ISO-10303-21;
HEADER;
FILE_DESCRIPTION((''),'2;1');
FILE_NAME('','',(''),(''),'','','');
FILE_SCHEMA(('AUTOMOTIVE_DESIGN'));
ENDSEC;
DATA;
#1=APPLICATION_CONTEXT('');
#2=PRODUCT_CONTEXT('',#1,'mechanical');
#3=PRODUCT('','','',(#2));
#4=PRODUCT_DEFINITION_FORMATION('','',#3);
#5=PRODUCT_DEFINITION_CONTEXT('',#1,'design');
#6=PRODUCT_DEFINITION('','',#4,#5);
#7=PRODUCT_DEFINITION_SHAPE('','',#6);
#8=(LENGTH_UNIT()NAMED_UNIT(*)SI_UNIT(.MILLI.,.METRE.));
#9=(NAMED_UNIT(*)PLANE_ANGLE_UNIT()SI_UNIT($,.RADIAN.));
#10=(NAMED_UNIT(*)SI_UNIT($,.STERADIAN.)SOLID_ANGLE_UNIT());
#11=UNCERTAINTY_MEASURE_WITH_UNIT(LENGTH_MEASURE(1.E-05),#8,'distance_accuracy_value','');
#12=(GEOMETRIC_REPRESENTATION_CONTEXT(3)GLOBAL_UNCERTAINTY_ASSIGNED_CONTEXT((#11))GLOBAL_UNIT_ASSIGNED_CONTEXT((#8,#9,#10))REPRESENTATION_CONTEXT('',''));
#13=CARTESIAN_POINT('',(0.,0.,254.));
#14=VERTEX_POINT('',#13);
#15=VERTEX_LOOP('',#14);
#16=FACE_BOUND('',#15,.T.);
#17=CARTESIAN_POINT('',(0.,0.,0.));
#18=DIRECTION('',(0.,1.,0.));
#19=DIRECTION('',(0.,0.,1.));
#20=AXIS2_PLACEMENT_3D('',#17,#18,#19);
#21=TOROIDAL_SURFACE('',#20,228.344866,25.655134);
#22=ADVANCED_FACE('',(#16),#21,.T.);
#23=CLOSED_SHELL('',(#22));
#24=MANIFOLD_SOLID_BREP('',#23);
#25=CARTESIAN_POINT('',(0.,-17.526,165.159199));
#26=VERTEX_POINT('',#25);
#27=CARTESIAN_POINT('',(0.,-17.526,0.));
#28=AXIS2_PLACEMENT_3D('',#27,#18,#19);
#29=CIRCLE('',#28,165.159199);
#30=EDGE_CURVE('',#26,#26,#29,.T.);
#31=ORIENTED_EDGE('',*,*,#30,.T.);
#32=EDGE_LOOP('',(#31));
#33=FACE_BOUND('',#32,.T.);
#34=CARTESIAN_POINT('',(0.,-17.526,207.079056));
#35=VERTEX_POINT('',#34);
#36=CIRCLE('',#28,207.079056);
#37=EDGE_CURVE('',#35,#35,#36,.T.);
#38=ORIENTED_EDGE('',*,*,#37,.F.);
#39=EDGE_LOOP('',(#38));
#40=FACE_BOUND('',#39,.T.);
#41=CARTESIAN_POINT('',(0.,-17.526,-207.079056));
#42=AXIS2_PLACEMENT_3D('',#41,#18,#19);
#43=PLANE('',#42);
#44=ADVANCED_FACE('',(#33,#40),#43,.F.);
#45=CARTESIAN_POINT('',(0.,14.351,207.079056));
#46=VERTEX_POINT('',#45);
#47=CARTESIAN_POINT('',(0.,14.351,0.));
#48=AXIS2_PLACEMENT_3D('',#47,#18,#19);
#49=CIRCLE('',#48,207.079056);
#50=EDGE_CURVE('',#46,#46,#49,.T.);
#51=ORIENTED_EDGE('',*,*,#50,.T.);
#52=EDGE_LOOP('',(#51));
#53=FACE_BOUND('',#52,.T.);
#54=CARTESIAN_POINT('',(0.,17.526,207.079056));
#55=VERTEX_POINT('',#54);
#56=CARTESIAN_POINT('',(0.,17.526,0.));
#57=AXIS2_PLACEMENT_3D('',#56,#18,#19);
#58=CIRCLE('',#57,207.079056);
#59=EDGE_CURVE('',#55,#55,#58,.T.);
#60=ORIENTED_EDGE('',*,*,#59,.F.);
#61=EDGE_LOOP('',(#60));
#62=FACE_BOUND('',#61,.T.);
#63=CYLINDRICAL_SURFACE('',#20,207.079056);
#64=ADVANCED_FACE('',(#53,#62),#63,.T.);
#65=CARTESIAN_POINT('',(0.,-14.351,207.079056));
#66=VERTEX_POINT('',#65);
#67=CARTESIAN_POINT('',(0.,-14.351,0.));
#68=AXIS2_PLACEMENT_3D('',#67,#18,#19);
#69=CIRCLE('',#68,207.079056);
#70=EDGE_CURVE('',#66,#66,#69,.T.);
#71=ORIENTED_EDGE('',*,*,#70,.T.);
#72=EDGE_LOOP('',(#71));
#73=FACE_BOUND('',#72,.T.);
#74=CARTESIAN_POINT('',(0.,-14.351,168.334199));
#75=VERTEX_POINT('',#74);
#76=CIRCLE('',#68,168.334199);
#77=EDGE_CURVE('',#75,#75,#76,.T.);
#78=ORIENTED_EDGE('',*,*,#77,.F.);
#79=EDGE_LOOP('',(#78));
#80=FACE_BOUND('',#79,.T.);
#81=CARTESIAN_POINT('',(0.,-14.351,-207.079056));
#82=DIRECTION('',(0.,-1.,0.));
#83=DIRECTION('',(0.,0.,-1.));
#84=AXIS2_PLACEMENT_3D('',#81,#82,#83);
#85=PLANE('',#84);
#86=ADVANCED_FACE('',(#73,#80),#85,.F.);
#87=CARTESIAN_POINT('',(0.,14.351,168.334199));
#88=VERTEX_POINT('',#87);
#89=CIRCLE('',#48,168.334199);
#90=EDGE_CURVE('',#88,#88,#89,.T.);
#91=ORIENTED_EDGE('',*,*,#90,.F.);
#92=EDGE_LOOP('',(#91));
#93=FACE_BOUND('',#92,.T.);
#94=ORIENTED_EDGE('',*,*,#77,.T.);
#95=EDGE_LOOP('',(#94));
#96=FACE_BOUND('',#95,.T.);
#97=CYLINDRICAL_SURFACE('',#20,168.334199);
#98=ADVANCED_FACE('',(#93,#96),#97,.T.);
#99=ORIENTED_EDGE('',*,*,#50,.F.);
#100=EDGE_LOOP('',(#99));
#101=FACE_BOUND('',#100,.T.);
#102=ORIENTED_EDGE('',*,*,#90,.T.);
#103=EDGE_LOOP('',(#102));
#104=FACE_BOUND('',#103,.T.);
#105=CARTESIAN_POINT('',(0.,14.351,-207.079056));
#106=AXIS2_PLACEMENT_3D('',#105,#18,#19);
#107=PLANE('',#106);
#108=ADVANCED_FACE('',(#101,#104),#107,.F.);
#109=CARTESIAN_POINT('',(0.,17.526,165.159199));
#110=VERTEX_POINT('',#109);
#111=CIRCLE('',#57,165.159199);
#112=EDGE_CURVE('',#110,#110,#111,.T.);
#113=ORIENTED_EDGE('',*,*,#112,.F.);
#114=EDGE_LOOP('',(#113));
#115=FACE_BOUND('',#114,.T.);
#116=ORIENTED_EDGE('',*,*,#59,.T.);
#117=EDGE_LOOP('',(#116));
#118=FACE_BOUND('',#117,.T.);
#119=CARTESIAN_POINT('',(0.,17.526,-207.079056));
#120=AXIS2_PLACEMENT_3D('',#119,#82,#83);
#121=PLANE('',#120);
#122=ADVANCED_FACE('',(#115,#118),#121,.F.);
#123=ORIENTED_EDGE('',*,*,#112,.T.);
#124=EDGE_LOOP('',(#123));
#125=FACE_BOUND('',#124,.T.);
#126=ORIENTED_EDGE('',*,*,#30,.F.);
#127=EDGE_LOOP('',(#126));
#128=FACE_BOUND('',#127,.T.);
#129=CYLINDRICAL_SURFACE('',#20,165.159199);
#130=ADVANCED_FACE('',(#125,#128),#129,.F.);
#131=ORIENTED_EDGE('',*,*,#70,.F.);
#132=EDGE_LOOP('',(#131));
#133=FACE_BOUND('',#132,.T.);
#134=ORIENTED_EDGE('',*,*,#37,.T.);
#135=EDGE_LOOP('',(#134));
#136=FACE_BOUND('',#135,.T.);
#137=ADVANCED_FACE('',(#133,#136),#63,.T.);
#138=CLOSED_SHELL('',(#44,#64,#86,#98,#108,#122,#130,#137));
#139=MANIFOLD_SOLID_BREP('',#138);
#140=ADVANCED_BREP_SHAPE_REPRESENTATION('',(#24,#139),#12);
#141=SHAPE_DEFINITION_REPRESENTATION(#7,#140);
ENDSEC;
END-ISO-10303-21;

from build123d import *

# Parameters (mm, degrees)
SKETCH2_R = 25.655133929


with BuildPart() as part:
    # Sketch2 → Revolve2 (revolve)
    with BuildSketch(Plane(origin=(0, 0, 0), x_dir=(0, 0, -1), z_dir=(1, 0, 0))):
        with Locations((228.344866071, 0)):
            Circle(SKETCH2_R)
    revolve(axis=Axis((0, 0, 0), (0, -1, 0)))


with BuildPart() as body_2:
    # Sketch3 → Revolve3 (revolve)
    with BuildSketch(Plane(origin=(0, 0, 0), x_dir=(0, 0, -1), z_dir=(1, 0, 0))):
        Polygon((207.079055579, 17.526), (207.079055579, 14.351), (168.334198992, 14.351), (168.334198992, -14.351), (207.079055579, -14.351), (207.079055579, -17.526), (165.159198992, -17.526), (165.159198992, 17.526), align=None)
    revolve(axis=Axis((0, 0, 0), (0, -1, 0)))


solid = Compound([part.part, body_2.part])
